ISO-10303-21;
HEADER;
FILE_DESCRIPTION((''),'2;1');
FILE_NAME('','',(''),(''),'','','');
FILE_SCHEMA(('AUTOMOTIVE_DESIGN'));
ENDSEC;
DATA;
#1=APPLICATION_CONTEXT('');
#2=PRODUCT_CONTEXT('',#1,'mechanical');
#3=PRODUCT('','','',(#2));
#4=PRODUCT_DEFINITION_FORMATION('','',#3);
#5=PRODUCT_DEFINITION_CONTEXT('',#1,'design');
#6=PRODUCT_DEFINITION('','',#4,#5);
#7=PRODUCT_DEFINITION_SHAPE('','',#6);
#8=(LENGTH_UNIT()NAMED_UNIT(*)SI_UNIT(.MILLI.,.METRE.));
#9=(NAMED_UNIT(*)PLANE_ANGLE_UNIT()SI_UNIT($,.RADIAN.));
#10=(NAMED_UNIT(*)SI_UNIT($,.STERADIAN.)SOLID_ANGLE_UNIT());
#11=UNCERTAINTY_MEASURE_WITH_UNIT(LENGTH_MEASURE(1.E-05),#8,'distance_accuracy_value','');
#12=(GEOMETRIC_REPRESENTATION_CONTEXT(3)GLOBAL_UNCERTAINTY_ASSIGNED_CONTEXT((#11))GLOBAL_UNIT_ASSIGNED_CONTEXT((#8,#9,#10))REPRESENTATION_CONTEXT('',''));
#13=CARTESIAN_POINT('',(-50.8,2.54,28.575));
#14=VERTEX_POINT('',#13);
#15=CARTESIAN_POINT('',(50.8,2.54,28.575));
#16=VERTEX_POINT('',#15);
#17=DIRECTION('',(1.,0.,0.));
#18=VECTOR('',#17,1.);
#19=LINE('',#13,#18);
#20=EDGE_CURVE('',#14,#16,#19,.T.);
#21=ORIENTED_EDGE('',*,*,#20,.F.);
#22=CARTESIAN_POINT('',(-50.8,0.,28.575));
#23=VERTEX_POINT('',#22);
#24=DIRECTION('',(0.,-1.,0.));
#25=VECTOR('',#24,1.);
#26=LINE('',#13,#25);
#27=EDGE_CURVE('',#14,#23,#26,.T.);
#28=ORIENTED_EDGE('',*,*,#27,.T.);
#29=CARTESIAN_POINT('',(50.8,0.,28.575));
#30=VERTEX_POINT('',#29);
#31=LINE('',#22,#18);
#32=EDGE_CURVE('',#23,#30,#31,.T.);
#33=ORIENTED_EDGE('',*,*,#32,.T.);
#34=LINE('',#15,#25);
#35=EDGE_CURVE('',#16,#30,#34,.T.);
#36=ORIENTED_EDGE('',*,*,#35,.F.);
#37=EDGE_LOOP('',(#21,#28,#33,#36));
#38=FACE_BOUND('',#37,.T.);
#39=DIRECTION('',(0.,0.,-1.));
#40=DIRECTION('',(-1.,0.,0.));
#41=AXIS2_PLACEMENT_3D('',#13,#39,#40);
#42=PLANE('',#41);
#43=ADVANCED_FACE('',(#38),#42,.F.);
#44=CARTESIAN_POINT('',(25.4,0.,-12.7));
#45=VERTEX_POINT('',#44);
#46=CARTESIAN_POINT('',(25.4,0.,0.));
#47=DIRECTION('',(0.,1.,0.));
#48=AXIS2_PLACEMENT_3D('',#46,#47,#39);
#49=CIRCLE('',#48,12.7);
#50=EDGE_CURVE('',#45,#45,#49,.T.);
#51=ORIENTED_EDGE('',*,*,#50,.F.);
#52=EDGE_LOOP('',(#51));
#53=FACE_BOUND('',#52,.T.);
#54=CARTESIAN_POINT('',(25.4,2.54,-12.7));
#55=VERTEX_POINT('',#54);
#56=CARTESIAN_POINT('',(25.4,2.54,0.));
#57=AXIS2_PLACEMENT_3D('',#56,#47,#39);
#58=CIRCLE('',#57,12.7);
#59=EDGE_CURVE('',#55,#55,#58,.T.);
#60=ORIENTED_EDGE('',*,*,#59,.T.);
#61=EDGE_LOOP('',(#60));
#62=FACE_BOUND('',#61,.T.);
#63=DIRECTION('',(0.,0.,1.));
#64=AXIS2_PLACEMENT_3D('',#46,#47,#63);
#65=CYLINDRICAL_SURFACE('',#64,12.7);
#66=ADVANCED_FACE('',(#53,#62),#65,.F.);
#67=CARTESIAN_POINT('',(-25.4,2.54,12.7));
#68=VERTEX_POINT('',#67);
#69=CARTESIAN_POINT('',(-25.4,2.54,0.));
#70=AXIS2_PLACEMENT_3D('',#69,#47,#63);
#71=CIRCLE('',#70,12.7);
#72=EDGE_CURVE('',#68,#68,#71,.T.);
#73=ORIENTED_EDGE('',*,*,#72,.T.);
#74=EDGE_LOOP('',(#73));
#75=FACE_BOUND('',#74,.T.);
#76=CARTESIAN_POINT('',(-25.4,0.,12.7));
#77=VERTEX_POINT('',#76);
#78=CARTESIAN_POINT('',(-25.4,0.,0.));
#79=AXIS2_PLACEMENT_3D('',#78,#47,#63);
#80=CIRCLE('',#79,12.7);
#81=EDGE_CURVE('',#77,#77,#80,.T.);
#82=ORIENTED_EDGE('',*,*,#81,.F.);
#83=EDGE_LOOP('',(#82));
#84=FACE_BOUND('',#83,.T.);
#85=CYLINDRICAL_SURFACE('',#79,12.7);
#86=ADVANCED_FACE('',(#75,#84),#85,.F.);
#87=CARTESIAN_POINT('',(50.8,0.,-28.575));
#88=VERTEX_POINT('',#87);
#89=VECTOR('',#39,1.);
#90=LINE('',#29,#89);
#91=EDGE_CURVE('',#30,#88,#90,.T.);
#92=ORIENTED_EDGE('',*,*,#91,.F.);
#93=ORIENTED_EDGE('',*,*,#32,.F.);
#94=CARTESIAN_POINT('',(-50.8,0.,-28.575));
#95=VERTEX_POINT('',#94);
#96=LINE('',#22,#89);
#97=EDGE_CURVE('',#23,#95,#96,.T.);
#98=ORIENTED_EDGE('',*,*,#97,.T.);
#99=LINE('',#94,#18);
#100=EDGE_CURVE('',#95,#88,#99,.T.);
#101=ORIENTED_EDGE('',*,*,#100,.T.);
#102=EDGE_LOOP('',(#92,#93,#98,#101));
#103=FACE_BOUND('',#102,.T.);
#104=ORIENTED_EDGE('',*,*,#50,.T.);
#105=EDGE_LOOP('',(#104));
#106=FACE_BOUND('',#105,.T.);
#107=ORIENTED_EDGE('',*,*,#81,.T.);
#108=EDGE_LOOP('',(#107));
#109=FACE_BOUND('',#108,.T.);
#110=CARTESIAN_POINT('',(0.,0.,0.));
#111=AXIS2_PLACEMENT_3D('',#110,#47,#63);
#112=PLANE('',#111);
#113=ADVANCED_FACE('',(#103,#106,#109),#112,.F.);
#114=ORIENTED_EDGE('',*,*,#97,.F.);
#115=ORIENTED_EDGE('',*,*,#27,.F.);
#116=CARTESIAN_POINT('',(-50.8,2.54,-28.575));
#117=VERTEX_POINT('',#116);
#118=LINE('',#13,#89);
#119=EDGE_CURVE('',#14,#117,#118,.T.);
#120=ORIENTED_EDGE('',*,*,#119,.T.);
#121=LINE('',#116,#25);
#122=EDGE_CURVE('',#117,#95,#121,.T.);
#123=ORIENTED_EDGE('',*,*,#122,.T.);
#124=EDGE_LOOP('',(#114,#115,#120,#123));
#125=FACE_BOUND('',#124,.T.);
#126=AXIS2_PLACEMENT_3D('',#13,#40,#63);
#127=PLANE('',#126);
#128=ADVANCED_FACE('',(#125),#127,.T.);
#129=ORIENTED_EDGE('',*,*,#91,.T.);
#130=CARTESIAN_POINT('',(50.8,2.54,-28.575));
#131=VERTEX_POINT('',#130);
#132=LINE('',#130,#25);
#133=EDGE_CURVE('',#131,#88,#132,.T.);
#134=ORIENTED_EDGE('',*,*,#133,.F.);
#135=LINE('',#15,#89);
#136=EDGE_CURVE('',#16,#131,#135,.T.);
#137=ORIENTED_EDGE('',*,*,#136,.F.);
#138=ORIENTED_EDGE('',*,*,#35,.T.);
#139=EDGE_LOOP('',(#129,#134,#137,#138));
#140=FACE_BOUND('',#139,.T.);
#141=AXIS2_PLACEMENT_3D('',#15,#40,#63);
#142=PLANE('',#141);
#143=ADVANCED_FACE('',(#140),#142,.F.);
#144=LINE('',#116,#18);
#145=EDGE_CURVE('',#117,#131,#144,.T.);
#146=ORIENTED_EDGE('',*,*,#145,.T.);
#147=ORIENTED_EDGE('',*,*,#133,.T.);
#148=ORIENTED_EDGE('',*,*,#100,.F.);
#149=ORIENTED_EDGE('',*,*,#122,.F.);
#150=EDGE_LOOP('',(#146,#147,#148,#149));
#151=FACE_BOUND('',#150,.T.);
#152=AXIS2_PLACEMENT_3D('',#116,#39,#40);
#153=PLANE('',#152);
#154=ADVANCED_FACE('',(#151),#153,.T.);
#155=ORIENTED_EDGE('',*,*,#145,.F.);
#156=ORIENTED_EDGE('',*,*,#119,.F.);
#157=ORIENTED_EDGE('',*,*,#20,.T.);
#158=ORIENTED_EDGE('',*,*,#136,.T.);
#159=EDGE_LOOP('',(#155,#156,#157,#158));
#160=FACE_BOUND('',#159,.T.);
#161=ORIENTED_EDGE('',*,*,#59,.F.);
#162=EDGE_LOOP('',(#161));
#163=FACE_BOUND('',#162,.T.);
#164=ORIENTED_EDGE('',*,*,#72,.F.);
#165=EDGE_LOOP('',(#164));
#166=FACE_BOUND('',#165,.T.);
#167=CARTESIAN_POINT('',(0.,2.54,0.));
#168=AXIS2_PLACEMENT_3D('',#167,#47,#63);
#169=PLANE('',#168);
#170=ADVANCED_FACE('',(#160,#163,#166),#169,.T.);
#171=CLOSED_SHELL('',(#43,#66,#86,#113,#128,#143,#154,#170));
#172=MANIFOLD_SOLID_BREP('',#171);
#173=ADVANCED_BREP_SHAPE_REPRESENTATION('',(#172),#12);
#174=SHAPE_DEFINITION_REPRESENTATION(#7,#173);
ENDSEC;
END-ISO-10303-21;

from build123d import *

# Parameters (mm, degrees)
SKETCH1_W           = 101.6
SKETCH1_H           = 57.15
BOSS_EXTRUDE1_DEPTH = 2.54
SKETCH2_R           = 12.7
CUT_EXTRUDE1_DEPTH  = 2.54


with BuildPart() as part:
    # Sketch1 → Boss-Extrude1 (new body)
    with BuildSketch(Plane(origin=(0, 0, 0), x_dir=(1, 0, 0), z_dir=(0, 1, 0))):
        Rectangle(SKETCH1_W, SKETCH1_H)
    extrude(amount=BOSS_EXTRUDE1_DEPTH)

    # Sketch2 → Cut-Extrude1 (cut)
    with BuildSketch(Plane(origin=(0, 2.54, 0), x_dir=(1, 0, 0), z_dir=(0, 1, 0))):
        with Locations((-25.4, 0)):
            Circle(SKETCH2_R)
        with Locations((25.4, 0)):
            Circle(SKETCH2_R)
    extrude(amount=-CUT_EXTRUDE1_DEPTH, mode=Mode.SUBTRACT)


solid = part.part
